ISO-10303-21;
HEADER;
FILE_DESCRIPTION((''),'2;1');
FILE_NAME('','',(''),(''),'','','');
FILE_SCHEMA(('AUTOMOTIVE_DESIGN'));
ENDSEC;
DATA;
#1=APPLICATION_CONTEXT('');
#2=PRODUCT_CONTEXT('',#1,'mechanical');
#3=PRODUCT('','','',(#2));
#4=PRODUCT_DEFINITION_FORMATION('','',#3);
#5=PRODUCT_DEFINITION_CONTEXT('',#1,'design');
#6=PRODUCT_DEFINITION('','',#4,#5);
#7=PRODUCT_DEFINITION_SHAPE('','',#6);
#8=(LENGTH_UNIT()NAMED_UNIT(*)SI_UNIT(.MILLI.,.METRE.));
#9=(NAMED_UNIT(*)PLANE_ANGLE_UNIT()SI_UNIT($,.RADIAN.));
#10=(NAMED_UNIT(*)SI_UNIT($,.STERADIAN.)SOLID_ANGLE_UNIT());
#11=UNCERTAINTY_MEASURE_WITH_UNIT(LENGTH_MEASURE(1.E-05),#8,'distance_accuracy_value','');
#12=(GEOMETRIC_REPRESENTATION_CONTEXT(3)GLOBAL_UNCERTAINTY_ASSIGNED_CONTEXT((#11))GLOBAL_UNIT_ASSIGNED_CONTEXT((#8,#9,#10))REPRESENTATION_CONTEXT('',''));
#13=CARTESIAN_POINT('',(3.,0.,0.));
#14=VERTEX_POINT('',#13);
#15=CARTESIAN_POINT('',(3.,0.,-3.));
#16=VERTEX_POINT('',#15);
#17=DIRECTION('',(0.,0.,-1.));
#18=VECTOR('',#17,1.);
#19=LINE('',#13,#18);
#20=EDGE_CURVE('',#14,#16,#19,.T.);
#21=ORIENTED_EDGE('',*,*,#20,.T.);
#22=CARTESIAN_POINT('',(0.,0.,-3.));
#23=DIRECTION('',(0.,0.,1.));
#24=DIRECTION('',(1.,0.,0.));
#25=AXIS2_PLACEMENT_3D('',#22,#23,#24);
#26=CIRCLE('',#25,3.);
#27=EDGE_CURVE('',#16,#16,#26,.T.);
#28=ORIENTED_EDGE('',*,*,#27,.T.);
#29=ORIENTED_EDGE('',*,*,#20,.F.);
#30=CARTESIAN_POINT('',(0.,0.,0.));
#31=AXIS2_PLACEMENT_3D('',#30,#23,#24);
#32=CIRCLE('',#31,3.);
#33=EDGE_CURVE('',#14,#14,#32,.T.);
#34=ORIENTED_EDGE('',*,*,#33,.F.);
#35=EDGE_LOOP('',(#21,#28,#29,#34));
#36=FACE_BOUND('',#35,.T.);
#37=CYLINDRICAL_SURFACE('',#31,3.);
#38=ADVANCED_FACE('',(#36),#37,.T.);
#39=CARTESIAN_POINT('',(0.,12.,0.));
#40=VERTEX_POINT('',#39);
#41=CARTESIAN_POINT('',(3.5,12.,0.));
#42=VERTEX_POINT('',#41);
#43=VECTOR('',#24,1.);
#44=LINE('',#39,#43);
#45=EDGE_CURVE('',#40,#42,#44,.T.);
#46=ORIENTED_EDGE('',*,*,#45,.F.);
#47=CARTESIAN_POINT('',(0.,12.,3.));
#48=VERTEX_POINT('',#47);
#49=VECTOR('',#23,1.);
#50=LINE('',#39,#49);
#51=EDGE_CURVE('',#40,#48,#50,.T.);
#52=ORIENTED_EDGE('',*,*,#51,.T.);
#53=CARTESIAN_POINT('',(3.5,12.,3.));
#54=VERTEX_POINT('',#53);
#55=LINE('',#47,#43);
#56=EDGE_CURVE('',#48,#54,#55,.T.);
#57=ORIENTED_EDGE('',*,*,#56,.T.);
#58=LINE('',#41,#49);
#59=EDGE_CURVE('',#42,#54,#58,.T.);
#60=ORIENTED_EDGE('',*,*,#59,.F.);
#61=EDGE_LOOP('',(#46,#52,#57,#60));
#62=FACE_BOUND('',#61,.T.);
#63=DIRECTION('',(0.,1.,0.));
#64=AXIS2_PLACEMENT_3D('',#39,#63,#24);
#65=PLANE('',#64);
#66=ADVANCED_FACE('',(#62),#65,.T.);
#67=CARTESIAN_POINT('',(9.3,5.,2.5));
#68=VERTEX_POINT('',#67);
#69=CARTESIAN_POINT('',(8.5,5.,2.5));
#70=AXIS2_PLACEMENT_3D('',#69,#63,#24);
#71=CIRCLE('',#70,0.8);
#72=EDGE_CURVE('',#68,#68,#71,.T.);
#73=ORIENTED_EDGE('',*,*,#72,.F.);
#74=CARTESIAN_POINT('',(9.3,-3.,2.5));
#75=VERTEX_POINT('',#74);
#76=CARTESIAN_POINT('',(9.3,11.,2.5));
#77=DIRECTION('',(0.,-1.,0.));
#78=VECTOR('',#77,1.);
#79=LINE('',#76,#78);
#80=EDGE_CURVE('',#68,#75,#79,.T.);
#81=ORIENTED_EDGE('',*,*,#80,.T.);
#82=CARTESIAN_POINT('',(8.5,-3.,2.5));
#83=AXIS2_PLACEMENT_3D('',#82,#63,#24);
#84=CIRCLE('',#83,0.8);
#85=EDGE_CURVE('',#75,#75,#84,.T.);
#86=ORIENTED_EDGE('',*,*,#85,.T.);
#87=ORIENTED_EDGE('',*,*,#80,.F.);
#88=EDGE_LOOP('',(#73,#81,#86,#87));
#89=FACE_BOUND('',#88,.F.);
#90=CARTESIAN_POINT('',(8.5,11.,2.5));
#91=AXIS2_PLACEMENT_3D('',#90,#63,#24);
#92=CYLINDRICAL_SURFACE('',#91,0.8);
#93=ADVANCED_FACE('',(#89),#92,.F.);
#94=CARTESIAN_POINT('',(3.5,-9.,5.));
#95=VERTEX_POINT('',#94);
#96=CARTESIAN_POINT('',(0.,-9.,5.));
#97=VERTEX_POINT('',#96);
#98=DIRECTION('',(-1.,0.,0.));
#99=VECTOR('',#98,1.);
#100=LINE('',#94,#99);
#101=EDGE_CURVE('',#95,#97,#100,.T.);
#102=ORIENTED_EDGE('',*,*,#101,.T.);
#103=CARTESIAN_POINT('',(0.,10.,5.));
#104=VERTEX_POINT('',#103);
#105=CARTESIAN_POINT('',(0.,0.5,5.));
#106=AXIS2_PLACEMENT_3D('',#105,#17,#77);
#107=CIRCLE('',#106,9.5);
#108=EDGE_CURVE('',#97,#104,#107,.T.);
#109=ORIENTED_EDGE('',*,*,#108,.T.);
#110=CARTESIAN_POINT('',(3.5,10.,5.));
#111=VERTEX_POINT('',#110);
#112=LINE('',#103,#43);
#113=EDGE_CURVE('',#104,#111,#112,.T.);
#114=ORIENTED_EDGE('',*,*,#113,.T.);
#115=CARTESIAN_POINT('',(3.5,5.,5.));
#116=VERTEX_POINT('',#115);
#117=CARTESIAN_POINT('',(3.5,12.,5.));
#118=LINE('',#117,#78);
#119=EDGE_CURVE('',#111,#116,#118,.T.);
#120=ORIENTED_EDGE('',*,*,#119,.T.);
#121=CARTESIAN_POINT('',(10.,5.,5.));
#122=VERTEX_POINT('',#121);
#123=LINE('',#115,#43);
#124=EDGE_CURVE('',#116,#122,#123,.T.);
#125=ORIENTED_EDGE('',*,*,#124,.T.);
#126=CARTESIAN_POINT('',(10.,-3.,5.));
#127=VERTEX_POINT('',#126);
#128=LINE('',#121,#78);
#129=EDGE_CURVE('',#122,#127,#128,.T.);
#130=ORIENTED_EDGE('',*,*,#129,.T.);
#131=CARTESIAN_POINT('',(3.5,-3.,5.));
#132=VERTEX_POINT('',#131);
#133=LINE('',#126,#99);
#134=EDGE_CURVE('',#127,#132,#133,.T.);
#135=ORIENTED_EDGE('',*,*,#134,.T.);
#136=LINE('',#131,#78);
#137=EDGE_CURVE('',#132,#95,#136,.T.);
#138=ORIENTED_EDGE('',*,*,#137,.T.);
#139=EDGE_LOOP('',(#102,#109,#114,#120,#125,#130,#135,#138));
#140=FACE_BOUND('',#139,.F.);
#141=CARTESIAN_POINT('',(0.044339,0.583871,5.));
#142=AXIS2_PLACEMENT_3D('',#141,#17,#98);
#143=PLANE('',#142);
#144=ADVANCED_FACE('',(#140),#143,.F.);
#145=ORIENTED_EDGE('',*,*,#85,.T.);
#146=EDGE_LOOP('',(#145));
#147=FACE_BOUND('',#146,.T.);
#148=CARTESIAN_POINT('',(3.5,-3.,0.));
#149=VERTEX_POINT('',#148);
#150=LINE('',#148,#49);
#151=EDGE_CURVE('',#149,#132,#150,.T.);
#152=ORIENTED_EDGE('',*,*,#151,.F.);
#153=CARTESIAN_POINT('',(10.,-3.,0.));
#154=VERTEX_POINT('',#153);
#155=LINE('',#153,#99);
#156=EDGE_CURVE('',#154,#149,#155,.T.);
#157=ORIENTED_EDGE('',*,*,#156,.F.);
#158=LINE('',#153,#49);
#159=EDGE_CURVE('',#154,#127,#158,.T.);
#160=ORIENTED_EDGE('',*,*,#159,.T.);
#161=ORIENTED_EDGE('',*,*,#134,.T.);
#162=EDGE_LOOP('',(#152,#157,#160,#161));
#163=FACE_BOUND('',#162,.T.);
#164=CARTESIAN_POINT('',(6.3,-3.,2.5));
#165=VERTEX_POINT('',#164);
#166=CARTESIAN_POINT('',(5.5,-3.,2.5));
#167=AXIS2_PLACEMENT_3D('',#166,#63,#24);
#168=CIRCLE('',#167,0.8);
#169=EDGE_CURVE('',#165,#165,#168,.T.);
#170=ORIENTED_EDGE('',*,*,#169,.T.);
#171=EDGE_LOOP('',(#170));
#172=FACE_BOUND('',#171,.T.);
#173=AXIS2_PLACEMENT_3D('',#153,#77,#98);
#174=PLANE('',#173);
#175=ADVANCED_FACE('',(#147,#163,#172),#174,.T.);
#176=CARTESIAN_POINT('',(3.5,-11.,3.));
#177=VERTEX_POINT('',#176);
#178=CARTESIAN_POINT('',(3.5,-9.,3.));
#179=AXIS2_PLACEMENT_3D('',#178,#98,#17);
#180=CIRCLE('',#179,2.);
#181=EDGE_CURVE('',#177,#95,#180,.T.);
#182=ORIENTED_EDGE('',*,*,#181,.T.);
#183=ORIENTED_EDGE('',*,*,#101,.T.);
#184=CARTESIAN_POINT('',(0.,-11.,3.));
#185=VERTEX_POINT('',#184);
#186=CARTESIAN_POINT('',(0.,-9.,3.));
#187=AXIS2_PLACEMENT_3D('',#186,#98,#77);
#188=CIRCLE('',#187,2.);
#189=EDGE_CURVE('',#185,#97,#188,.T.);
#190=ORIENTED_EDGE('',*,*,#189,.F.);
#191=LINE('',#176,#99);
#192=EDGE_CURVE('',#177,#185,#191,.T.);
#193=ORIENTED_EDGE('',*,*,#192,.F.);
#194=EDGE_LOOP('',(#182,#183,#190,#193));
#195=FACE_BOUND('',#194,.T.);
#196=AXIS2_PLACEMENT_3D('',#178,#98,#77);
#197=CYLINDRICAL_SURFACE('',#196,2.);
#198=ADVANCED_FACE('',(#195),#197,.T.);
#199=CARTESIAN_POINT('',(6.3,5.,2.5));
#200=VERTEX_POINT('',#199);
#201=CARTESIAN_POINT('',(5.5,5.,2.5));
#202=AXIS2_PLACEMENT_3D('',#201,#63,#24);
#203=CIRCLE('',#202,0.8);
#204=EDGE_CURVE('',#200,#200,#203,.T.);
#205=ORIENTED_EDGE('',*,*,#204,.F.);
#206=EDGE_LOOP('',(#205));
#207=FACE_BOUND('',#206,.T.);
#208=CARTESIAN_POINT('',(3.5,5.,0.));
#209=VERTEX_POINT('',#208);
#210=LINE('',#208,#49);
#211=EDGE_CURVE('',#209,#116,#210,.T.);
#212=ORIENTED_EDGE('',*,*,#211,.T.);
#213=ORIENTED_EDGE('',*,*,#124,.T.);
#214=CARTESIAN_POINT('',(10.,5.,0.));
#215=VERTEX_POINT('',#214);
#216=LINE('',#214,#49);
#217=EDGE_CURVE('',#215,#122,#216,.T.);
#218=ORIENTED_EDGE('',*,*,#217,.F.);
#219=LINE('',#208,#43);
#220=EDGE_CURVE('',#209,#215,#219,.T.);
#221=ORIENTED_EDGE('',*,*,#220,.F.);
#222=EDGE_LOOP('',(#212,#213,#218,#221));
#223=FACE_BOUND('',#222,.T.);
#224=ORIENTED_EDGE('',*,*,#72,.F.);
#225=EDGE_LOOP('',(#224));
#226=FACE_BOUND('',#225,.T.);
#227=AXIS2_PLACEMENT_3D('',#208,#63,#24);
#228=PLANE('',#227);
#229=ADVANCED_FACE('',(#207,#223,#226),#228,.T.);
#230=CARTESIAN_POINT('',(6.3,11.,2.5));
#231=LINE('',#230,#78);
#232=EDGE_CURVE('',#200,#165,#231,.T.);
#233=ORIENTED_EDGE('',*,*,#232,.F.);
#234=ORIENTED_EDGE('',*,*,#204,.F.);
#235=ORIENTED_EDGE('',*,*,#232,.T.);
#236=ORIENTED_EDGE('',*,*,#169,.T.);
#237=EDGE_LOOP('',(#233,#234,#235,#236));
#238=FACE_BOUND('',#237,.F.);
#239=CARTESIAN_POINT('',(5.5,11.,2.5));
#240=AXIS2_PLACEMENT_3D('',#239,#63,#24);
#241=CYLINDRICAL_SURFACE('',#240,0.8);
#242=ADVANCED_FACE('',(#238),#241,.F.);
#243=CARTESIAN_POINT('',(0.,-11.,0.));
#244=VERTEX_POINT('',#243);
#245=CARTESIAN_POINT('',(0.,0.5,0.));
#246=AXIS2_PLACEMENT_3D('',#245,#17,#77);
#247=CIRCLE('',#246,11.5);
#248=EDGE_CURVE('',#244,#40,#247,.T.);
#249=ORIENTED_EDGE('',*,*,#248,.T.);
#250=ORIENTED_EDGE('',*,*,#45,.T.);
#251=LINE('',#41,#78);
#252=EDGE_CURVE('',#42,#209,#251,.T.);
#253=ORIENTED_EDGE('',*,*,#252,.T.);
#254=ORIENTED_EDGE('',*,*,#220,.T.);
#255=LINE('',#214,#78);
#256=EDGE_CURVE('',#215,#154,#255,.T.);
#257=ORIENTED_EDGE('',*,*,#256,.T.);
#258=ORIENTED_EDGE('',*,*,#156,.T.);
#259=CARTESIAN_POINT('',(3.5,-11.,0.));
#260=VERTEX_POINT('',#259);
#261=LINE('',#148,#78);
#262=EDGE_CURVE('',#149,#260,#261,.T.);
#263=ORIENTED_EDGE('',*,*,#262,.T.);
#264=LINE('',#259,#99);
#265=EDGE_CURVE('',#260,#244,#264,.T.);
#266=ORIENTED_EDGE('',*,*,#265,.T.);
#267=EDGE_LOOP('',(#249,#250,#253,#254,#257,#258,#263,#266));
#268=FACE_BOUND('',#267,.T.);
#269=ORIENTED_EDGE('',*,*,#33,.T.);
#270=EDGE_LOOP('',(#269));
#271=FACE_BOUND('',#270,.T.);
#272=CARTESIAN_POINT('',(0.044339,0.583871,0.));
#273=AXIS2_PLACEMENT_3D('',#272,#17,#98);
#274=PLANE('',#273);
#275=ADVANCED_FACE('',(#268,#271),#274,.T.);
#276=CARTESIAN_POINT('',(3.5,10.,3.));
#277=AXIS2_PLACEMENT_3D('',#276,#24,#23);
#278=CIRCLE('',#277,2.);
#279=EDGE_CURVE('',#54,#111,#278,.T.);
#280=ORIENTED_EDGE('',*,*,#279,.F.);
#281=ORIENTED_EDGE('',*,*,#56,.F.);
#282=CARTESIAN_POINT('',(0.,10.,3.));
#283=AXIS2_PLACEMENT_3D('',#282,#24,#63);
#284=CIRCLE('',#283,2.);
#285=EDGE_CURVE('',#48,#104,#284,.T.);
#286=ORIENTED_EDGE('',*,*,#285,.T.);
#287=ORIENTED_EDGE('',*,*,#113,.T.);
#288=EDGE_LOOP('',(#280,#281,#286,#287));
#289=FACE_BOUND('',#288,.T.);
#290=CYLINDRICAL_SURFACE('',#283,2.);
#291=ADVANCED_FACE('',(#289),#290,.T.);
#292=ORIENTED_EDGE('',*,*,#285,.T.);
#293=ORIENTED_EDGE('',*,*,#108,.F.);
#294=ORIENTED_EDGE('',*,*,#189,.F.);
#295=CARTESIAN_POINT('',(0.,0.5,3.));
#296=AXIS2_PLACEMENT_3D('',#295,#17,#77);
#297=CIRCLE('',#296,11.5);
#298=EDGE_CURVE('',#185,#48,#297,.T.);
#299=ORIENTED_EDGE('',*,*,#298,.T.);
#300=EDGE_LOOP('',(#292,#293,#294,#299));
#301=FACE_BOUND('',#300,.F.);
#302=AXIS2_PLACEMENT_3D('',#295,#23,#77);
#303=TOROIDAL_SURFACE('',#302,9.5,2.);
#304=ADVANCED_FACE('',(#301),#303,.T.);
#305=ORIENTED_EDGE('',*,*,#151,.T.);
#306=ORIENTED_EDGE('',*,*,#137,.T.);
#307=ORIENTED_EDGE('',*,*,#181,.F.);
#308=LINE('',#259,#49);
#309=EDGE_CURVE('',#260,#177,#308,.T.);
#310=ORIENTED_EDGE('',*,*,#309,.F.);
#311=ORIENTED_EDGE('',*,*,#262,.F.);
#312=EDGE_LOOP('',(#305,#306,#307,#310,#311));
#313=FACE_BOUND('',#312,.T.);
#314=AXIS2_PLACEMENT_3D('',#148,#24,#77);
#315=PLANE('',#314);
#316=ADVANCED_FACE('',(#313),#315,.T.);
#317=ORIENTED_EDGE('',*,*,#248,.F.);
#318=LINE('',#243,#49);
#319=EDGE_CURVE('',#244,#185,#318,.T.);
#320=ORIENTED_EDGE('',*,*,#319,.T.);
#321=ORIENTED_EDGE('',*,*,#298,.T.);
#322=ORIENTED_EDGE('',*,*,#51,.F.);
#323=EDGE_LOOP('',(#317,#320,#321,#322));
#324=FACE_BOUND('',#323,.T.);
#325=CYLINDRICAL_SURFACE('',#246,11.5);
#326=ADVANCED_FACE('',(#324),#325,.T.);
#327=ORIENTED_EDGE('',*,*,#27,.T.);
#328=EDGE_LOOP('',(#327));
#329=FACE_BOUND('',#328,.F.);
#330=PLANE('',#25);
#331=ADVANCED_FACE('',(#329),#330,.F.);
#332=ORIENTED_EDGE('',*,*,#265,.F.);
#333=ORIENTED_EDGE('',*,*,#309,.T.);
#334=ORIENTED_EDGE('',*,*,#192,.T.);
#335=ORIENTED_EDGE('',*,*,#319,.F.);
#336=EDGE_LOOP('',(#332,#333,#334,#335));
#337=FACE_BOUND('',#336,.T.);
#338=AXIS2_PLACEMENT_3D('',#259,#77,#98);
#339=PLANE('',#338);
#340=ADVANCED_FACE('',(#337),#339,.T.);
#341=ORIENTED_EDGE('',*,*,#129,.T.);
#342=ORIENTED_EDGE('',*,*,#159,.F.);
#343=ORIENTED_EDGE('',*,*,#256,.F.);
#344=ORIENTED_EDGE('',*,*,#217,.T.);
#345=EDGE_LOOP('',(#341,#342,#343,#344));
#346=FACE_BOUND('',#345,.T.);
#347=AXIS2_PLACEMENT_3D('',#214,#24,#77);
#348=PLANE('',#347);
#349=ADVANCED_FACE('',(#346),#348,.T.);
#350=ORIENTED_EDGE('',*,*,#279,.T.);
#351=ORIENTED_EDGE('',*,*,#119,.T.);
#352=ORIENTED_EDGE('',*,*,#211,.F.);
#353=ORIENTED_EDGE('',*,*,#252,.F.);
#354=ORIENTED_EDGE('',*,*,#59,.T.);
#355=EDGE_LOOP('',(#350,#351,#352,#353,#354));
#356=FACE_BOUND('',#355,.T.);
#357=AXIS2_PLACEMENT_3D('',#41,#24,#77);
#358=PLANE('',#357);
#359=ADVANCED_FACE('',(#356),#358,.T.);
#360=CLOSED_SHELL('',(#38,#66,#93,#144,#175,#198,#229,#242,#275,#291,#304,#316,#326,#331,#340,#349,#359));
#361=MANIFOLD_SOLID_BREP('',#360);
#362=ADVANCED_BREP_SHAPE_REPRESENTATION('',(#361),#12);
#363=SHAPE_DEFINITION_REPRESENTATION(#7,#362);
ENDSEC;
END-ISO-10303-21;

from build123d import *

# Parameters (mm, degrees)
BOSS_EXTRUDE1_DEPTH = 5
CUT_EXTRUDE1_START  = 11
SKETCH2_R           = 0.8
CUT_EXTRUDE1_DEPTH  = 23
SKETCH4_R           = 3
BOSS_EXTRUDE2_DEPTH = 3
FILLET1_R           = 2


with BuildPart() as part:
    # Sketch1 → Boss-Extrude1 (new body)
    with BuildSketch(Plane.XY):
        with BuildLine():
            Line((3.5, 12), (3.5, 5))
            Line((3.5, 5), (10, 5))
            Line((10, 5), (10, -3))
            Line((10, -3), (3.5, -3))
            Line((3.5, -3), (3.5, -11))
            Line((3.5, -11), (0, -11))
            ThreePointArc((0, -11), (-11.5, 0.5), (0, 12))
            Line((0, 12), (3.5, 12))
        make_face()
    extrude(amount=BOSS_EXTRUDE1_DEPTH)

    # Sketch2 → Cut-Extrude1 (cut, through all)
    with BuildSketch(Plane(origin=(0, 0, 0), x_dir=(1, 0, 0), z_dir=(0, 1, 0)).offset(CUT_EXTRUDE1_START)):
        with Locations((8.5, -2.5)):
            Circle(SKETCH2_R)
        with Locations((5.5, -2.5)):
            Circle(SKETCH2_R)
    extrude(amount=-CUT_EXTRUDE1_DEPTH, mode=Mode.SUBTRACT)

    # Sketch4 → Boss-Extrude2 (add)
    with BuildSketch(Plane.XY):
        Circle(SKETCH4_R)
    extrude(amount=-BOSS_EXTRUDE2_DEPTH)

    # Fillet1
    fillet1_edges = [part.edges().sort_by_distance(p)[0] for p in [
        (1.75, 12, 5),
        (-11.5, 0.5, 5),
        (1.75, -11, 5),
    ]]
    fillet(fillet1_edges, radius=FILLET1_R)


solid = part.part
